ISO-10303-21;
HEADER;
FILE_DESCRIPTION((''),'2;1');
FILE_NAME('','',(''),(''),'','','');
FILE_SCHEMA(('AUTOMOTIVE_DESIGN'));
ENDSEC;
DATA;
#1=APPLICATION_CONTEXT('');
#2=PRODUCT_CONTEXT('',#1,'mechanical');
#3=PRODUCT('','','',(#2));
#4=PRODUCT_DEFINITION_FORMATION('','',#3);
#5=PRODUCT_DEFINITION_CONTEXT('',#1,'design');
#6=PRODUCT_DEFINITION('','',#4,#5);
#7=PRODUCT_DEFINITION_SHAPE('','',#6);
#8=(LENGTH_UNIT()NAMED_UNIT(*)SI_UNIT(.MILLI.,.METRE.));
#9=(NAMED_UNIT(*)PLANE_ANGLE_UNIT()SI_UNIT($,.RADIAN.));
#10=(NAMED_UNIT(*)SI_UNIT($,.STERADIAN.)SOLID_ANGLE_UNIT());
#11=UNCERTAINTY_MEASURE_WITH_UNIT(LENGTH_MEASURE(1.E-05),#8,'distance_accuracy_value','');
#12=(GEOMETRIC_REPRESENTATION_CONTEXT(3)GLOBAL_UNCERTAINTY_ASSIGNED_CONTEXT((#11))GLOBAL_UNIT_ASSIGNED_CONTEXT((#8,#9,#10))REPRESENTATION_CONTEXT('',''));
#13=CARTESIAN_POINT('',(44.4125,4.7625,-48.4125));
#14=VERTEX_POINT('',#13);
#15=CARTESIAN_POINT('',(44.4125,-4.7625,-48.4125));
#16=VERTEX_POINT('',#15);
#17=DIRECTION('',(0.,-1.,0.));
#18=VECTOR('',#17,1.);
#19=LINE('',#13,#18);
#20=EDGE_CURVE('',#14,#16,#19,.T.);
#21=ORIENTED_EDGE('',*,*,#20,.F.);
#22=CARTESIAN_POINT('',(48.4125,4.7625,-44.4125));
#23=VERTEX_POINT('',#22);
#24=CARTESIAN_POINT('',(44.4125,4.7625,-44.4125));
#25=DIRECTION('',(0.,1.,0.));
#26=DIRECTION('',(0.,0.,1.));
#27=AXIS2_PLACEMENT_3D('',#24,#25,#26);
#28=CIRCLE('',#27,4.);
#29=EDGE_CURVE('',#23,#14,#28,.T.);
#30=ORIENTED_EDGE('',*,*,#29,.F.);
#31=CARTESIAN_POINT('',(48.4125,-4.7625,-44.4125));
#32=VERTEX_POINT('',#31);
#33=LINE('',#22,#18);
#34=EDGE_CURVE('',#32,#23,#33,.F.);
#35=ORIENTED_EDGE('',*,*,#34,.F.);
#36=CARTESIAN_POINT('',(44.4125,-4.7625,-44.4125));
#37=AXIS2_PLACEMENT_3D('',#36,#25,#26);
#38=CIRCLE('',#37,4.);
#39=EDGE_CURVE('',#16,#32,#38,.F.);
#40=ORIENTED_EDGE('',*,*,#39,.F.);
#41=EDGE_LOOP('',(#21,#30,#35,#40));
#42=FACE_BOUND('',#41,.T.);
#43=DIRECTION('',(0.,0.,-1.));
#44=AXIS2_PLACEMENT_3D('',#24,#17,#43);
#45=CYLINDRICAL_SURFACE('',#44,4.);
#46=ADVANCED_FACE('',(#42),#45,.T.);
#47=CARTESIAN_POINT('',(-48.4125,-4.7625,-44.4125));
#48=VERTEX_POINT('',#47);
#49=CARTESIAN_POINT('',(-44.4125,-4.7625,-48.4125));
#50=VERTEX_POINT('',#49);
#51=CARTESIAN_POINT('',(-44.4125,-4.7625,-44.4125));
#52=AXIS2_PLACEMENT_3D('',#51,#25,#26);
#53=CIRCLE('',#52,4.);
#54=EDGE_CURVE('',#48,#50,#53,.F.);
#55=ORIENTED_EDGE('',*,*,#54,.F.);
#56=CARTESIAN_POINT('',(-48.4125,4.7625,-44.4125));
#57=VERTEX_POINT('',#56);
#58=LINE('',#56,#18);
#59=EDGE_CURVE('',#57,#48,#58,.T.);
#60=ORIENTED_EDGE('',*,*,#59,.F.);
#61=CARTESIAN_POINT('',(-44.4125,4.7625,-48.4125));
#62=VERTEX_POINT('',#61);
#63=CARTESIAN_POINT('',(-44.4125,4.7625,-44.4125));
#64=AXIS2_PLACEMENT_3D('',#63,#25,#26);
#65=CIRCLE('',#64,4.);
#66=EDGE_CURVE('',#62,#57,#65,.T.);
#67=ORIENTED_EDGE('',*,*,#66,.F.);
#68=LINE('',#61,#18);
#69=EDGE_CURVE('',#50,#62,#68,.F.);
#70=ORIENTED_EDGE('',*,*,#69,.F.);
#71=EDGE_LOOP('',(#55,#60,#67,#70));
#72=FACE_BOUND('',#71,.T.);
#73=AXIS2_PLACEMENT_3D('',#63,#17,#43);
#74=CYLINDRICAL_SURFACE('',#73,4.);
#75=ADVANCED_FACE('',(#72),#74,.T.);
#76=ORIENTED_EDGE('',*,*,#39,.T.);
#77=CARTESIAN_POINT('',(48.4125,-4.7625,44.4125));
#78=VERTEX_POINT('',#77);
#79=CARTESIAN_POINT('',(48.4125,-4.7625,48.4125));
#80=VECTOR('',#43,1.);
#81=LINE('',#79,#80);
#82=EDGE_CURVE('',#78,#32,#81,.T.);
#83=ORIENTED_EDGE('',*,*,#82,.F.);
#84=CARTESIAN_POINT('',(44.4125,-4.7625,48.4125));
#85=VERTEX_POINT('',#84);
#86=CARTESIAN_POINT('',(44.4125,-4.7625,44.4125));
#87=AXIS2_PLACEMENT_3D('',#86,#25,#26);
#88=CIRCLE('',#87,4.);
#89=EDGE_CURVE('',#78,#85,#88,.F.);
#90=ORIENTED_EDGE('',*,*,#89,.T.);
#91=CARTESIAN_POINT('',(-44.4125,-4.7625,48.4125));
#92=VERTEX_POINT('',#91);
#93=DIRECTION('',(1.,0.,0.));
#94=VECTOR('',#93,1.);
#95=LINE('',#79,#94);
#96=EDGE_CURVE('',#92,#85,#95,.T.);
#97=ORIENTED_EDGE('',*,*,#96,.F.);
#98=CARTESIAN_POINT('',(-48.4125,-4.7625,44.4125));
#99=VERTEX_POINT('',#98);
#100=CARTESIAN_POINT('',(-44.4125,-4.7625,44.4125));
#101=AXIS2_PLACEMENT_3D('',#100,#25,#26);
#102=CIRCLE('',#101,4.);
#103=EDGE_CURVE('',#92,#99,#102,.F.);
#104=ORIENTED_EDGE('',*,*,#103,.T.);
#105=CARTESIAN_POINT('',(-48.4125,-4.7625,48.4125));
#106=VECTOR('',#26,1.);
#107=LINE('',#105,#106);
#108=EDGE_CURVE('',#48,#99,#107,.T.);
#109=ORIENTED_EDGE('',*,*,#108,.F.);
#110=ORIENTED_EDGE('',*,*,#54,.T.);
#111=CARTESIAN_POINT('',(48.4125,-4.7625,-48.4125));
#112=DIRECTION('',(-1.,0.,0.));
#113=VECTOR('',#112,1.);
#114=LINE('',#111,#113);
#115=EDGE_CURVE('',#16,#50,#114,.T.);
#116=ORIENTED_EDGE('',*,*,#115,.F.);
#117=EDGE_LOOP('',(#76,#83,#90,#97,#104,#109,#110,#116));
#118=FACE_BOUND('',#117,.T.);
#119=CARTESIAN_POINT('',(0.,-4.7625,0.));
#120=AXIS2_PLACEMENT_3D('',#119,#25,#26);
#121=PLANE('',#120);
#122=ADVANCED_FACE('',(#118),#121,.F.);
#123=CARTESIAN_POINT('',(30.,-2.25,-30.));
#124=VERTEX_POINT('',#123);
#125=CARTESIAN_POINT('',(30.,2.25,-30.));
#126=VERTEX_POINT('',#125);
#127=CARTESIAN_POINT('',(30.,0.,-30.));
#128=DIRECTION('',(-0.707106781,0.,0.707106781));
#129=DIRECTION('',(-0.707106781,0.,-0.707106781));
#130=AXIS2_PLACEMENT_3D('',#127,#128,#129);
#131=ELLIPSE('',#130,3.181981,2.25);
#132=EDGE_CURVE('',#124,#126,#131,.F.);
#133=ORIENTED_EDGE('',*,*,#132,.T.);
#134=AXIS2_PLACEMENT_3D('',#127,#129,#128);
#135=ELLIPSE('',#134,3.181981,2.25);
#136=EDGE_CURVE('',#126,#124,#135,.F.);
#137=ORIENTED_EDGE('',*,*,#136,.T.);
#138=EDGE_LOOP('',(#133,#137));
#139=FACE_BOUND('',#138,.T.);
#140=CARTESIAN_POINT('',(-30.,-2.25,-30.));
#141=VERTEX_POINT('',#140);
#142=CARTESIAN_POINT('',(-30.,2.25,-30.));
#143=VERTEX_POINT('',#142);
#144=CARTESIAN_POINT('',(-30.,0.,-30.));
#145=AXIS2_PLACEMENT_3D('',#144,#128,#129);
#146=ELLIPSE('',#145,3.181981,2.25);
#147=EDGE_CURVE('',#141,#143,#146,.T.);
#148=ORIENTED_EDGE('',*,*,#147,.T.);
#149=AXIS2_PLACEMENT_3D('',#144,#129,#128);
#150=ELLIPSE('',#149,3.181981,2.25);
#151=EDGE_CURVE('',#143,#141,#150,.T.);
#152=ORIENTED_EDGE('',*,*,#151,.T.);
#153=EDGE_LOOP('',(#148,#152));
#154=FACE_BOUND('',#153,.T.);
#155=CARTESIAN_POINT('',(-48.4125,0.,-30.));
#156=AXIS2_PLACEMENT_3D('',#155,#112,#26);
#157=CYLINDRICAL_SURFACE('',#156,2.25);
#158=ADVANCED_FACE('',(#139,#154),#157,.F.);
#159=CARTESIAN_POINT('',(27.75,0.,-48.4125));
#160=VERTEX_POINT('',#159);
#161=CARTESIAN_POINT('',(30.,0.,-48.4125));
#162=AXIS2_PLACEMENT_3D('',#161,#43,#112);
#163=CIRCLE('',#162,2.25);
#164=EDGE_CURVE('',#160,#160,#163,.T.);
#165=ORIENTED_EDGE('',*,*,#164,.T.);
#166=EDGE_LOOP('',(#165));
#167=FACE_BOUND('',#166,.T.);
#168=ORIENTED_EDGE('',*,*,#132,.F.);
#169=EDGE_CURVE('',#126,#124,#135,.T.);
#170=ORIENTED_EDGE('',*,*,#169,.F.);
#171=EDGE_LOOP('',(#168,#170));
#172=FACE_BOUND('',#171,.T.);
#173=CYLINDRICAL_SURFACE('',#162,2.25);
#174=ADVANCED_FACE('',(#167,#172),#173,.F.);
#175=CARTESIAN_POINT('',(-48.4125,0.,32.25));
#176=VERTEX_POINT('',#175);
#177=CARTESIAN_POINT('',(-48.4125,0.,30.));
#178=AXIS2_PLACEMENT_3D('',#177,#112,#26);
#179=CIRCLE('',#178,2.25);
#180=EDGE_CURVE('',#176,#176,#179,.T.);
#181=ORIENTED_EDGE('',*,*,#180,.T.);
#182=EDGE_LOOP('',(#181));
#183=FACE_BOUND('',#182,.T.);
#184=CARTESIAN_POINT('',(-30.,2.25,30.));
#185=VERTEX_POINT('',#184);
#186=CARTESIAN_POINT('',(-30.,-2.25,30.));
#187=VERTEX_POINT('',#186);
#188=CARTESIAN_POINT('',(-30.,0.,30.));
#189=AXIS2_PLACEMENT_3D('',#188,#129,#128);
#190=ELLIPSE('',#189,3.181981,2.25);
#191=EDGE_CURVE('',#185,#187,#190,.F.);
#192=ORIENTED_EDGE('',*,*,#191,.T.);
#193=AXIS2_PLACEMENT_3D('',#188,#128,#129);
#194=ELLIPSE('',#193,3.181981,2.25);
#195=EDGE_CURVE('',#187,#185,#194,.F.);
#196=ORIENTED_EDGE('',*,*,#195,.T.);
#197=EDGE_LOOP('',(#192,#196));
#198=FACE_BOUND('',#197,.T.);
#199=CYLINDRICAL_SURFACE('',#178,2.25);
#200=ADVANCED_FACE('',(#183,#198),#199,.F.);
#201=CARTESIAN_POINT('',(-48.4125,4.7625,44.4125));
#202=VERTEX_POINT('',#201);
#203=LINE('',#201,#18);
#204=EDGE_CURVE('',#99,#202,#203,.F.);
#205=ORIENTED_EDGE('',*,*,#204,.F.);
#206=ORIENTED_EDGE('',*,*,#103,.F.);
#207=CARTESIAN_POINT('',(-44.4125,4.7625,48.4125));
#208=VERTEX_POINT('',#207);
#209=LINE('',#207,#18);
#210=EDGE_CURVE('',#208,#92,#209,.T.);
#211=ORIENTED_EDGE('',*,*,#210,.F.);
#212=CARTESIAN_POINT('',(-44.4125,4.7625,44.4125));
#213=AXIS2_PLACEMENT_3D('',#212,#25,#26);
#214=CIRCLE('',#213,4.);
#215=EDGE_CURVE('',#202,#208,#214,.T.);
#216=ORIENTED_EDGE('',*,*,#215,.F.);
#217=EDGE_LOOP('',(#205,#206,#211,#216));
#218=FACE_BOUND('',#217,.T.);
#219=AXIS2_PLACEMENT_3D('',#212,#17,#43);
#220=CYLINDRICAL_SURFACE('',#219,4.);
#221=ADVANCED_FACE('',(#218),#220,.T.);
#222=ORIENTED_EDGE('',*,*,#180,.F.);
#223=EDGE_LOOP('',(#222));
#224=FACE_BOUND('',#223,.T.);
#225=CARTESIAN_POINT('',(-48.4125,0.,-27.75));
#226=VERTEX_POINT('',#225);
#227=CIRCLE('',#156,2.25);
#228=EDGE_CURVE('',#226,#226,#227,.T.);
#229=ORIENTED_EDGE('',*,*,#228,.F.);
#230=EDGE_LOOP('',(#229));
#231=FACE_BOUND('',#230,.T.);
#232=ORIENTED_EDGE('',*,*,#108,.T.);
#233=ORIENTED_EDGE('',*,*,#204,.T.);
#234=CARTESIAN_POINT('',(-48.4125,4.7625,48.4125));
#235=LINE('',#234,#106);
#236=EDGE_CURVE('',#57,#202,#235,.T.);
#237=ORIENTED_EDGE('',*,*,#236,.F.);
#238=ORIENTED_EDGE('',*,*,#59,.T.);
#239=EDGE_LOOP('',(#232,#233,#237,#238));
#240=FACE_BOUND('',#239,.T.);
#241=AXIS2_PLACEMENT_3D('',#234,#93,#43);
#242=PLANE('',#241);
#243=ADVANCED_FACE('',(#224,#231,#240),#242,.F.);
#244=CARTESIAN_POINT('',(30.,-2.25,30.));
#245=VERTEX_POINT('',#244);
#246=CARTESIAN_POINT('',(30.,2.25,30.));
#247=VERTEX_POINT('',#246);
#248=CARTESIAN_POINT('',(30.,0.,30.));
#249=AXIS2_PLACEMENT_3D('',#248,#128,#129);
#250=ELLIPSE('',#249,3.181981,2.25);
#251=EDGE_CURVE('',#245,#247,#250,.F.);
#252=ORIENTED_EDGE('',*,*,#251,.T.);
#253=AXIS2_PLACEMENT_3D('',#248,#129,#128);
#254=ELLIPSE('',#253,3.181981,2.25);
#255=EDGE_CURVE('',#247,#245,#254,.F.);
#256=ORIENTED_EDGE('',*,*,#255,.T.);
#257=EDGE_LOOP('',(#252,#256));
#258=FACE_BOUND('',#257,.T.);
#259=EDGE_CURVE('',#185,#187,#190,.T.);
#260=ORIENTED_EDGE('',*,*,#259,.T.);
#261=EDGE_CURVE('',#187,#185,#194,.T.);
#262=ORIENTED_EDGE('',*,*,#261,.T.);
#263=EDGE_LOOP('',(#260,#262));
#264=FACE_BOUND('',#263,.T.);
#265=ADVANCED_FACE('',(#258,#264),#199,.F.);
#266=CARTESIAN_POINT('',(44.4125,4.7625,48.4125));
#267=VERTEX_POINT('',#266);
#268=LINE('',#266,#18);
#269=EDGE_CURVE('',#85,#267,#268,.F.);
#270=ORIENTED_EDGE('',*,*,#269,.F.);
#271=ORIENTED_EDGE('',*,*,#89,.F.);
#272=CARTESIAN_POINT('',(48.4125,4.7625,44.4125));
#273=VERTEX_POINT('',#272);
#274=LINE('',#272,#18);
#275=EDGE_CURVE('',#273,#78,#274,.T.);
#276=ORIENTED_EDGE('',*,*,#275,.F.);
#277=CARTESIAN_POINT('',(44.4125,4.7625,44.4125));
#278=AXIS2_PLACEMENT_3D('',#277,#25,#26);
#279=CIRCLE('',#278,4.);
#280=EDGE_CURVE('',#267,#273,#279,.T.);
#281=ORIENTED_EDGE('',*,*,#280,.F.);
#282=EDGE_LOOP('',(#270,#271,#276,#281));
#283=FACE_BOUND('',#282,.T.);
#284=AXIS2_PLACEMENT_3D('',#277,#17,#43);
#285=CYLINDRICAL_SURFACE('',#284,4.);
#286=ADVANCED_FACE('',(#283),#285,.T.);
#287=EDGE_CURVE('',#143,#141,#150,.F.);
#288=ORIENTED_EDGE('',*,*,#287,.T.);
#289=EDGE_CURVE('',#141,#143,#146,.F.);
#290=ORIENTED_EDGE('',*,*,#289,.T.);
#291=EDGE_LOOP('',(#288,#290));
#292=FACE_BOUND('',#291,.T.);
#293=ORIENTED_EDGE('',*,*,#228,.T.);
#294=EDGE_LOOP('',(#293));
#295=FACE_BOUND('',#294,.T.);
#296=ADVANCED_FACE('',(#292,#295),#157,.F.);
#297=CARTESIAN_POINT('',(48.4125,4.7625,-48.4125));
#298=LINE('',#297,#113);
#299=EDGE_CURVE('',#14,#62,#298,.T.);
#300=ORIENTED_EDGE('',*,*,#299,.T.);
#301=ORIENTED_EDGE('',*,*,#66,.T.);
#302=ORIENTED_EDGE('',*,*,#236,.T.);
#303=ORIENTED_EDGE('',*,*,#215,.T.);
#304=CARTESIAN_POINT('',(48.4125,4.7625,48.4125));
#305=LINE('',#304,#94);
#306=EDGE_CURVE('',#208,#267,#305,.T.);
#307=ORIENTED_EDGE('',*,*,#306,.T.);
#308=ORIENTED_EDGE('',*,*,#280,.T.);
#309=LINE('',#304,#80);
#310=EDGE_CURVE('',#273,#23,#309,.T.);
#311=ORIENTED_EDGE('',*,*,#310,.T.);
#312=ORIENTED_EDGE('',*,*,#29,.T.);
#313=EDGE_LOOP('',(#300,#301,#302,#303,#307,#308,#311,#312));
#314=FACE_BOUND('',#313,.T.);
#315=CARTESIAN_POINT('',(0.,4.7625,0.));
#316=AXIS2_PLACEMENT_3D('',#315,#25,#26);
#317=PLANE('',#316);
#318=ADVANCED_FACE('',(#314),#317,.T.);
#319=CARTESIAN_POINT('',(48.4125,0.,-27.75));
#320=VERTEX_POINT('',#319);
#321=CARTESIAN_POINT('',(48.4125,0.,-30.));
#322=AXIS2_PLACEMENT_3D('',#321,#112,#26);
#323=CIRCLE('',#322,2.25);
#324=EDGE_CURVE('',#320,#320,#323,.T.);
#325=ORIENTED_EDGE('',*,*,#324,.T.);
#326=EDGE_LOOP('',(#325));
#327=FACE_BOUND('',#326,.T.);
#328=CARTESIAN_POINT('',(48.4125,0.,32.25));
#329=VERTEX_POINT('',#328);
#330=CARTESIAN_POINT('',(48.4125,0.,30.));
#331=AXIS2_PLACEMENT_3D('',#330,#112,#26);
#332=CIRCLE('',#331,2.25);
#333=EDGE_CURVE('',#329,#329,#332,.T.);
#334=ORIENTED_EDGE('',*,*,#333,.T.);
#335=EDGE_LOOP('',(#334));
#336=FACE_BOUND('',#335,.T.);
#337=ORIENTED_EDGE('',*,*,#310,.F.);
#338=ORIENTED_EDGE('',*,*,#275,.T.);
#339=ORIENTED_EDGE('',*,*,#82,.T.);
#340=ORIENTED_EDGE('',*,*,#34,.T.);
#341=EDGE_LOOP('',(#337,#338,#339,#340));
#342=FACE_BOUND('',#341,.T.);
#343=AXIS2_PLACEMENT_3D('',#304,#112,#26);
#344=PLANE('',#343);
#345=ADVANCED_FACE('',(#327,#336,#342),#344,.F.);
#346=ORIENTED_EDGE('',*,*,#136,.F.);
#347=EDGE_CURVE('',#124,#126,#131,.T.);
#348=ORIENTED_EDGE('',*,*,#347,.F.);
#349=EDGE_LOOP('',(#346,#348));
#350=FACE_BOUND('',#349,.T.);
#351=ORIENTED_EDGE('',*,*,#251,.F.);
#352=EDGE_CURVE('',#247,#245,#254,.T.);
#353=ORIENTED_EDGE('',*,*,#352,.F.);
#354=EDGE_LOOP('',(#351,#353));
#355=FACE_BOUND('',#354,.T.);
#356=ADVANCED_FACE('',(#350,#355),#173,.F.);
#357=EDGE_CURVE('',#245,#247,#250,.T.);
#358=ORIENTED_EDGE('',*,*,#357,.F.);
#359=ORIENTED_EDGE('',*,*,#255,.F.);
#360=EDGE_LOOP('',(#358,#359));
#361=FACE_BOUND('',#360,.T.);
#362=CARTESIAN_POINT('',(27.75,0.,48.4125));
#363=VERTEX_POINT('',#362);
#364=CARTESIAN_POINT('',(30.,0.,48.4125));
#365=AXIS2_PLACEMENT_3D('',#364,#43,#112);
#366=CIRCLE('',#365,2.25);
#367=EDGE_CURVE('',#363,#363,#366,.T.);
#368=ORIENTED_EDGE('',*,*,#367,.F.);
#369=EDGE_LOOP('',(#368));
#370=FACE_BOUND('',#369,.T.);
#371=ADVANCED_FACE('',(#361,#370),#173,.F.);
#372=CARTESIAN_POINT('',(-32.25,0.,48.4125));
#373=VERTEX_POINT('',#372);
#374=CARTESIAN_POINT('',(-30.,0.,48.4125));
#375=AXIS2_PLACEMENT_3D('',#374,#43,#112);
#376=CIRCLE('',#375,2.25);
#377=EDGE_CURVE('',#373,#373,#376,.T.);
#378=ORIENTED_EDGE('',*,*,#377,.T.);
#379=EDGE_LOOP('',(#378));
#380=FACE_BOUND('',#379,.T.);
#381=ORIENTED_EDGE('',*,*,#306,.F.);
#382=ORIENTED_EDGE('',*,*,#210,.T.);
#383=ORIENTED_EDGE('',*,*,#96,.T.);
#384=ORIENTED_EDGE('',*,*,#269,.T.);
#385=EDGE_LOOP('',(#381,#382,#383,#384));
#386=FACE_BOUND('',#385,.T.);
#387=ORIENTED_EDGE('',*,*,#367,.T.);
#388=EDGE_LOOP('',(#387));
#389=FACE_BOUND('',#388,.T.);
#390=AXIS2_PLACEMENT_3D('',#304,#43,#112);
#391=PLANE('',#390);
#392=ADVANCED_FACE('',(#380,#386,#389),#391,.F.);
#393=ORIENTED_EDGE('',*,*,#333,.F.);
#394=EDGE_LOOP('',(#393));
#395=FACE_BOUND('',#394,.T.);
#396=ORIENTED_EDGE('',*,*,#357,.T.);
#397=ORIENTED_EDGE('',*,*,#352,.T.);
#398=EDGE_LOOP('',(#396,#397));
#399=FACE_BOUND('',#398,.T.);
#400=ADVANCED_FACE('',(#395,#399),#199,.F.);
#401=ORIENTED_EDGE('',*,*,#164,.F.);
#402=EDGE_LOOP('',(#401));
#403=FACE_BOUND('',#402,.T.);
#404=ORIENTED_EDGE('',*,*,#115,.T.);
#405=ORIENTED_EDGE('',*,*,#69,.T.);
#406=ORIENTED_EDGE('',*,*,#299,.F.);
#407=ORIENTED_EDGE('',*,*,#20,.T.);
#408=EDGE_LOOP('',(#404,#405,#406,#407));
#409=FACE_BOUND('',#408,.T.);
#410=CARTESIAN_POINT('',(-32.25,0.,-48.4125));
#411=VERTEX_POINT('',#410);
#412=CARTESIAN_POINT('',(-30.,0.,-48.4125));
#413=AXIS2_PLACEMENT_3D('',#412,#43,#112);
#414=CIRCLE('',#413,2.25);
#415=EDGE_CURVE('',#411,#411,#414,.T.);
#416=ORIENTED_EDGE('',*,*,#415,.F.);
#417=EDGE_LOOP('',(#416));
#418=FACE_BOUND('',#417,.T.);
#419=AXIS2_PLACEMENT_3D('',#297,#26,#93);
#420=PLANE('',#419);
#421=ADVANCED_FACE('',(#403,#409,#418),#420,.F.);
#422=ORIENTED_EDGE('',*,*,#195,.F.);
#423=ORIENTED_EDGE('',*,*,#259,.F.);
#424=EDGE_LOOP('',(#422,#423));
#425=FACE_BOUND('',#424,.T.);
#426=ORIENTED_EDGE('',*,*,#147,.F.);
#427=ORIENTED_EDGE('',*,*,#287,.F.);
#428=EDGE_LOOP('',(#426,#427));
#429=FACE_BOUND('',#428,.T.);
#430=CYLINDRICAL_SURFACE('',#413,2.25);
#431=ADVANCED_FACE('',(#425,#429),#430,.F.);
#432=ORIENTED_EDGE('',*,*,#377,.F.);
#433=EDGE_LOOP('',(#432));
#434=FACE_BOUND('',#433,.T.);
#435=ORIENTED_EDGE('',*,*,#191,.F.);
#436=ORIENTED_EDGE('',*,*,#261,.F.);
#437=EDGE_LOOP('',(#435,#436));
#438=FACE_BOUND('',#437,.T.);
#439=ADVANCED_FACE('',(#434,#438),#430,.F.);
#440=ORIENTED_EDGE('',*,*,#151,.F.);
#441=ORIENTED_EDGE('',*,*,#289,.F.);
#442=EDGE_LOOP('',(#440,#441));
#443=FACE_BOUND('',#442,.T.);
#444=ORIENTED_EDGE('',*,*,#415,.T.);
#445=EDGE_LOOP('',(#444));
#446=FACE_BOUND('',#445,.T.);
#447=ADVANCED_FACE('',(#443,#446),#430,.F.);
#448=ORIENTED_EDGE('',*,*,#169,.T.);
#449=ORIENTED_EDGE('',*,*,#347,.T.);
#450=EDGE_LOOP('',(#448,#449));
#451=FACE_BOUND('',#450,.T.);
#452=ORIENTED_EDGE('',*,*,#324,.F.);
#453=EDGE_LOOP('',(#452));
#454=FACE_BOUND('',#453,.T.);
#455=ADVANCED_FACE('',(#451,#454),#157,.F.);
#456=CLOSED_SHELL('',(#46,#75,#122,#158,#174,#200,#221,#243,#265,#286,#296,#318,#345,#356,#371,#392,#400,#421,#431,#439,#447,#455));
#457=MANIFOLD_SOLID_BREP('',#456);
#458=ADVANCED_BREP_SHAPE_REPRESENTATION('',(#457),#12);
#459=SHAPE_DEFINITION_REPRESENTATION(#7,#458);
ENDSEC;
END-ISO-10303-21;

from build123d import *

# Parameters (mm, degrees)
SKETCH1_W            = 96.825
SKETCH1_H            = 96.825
BOSS_EXTRUDE1_DEPTH  = 4.7625
FILLET1_R            = 4
M4_CLEARANCE_HOLE1_D = 4.5
M4_CLEARANCE_HOLE2_D = 4.5


with BuildPart() as part:
    # Sketch1 → Boss-Extrude1 (new body, symmetric)
    with BuildSketch(Plane(origin=(0, 0, 0), x_dir=(1, 0, 0), z_dir=(0, 1, 0))):
        Rectangle(SKETCH1_W, SKETCH1_H)
    extrude(amount=BOSS_EXTRUDE1_DEPTH, both=True)

    # Fillet1
    fillet1_edges = [part.edges().sort_by_distance(p)[0] for p in [
        (-48.4125, 0, -48.4125),
        (48.4125, 0, -48.4125),
        (48.4125, 0, 48.4125),
        (-48.4125, 0, 48.4125),
    ]]
    fillet(fillet1_edges, radius=FILLET1_R)

    # M4 Clearance Hole1 (through all)
    with Locations(Plane.ZY.offset(48.4125)):
        with Locations((-30, 0), (30, 0)):
            Hole(M4_CLEARANCE_HOLE1_D / 2)

    # M4 Clearance Hole2 (through all)
    with Locations(Plane(origin=(0, 0, -48.4125), x_dir=(-1, 0, 0), z_dir=(0, 0, -1))):
        with Locations((-30, 0), (30, 0)):
            Hole(M4_CLEARANCE_HOLE2_D / 2)


solid = part.part
